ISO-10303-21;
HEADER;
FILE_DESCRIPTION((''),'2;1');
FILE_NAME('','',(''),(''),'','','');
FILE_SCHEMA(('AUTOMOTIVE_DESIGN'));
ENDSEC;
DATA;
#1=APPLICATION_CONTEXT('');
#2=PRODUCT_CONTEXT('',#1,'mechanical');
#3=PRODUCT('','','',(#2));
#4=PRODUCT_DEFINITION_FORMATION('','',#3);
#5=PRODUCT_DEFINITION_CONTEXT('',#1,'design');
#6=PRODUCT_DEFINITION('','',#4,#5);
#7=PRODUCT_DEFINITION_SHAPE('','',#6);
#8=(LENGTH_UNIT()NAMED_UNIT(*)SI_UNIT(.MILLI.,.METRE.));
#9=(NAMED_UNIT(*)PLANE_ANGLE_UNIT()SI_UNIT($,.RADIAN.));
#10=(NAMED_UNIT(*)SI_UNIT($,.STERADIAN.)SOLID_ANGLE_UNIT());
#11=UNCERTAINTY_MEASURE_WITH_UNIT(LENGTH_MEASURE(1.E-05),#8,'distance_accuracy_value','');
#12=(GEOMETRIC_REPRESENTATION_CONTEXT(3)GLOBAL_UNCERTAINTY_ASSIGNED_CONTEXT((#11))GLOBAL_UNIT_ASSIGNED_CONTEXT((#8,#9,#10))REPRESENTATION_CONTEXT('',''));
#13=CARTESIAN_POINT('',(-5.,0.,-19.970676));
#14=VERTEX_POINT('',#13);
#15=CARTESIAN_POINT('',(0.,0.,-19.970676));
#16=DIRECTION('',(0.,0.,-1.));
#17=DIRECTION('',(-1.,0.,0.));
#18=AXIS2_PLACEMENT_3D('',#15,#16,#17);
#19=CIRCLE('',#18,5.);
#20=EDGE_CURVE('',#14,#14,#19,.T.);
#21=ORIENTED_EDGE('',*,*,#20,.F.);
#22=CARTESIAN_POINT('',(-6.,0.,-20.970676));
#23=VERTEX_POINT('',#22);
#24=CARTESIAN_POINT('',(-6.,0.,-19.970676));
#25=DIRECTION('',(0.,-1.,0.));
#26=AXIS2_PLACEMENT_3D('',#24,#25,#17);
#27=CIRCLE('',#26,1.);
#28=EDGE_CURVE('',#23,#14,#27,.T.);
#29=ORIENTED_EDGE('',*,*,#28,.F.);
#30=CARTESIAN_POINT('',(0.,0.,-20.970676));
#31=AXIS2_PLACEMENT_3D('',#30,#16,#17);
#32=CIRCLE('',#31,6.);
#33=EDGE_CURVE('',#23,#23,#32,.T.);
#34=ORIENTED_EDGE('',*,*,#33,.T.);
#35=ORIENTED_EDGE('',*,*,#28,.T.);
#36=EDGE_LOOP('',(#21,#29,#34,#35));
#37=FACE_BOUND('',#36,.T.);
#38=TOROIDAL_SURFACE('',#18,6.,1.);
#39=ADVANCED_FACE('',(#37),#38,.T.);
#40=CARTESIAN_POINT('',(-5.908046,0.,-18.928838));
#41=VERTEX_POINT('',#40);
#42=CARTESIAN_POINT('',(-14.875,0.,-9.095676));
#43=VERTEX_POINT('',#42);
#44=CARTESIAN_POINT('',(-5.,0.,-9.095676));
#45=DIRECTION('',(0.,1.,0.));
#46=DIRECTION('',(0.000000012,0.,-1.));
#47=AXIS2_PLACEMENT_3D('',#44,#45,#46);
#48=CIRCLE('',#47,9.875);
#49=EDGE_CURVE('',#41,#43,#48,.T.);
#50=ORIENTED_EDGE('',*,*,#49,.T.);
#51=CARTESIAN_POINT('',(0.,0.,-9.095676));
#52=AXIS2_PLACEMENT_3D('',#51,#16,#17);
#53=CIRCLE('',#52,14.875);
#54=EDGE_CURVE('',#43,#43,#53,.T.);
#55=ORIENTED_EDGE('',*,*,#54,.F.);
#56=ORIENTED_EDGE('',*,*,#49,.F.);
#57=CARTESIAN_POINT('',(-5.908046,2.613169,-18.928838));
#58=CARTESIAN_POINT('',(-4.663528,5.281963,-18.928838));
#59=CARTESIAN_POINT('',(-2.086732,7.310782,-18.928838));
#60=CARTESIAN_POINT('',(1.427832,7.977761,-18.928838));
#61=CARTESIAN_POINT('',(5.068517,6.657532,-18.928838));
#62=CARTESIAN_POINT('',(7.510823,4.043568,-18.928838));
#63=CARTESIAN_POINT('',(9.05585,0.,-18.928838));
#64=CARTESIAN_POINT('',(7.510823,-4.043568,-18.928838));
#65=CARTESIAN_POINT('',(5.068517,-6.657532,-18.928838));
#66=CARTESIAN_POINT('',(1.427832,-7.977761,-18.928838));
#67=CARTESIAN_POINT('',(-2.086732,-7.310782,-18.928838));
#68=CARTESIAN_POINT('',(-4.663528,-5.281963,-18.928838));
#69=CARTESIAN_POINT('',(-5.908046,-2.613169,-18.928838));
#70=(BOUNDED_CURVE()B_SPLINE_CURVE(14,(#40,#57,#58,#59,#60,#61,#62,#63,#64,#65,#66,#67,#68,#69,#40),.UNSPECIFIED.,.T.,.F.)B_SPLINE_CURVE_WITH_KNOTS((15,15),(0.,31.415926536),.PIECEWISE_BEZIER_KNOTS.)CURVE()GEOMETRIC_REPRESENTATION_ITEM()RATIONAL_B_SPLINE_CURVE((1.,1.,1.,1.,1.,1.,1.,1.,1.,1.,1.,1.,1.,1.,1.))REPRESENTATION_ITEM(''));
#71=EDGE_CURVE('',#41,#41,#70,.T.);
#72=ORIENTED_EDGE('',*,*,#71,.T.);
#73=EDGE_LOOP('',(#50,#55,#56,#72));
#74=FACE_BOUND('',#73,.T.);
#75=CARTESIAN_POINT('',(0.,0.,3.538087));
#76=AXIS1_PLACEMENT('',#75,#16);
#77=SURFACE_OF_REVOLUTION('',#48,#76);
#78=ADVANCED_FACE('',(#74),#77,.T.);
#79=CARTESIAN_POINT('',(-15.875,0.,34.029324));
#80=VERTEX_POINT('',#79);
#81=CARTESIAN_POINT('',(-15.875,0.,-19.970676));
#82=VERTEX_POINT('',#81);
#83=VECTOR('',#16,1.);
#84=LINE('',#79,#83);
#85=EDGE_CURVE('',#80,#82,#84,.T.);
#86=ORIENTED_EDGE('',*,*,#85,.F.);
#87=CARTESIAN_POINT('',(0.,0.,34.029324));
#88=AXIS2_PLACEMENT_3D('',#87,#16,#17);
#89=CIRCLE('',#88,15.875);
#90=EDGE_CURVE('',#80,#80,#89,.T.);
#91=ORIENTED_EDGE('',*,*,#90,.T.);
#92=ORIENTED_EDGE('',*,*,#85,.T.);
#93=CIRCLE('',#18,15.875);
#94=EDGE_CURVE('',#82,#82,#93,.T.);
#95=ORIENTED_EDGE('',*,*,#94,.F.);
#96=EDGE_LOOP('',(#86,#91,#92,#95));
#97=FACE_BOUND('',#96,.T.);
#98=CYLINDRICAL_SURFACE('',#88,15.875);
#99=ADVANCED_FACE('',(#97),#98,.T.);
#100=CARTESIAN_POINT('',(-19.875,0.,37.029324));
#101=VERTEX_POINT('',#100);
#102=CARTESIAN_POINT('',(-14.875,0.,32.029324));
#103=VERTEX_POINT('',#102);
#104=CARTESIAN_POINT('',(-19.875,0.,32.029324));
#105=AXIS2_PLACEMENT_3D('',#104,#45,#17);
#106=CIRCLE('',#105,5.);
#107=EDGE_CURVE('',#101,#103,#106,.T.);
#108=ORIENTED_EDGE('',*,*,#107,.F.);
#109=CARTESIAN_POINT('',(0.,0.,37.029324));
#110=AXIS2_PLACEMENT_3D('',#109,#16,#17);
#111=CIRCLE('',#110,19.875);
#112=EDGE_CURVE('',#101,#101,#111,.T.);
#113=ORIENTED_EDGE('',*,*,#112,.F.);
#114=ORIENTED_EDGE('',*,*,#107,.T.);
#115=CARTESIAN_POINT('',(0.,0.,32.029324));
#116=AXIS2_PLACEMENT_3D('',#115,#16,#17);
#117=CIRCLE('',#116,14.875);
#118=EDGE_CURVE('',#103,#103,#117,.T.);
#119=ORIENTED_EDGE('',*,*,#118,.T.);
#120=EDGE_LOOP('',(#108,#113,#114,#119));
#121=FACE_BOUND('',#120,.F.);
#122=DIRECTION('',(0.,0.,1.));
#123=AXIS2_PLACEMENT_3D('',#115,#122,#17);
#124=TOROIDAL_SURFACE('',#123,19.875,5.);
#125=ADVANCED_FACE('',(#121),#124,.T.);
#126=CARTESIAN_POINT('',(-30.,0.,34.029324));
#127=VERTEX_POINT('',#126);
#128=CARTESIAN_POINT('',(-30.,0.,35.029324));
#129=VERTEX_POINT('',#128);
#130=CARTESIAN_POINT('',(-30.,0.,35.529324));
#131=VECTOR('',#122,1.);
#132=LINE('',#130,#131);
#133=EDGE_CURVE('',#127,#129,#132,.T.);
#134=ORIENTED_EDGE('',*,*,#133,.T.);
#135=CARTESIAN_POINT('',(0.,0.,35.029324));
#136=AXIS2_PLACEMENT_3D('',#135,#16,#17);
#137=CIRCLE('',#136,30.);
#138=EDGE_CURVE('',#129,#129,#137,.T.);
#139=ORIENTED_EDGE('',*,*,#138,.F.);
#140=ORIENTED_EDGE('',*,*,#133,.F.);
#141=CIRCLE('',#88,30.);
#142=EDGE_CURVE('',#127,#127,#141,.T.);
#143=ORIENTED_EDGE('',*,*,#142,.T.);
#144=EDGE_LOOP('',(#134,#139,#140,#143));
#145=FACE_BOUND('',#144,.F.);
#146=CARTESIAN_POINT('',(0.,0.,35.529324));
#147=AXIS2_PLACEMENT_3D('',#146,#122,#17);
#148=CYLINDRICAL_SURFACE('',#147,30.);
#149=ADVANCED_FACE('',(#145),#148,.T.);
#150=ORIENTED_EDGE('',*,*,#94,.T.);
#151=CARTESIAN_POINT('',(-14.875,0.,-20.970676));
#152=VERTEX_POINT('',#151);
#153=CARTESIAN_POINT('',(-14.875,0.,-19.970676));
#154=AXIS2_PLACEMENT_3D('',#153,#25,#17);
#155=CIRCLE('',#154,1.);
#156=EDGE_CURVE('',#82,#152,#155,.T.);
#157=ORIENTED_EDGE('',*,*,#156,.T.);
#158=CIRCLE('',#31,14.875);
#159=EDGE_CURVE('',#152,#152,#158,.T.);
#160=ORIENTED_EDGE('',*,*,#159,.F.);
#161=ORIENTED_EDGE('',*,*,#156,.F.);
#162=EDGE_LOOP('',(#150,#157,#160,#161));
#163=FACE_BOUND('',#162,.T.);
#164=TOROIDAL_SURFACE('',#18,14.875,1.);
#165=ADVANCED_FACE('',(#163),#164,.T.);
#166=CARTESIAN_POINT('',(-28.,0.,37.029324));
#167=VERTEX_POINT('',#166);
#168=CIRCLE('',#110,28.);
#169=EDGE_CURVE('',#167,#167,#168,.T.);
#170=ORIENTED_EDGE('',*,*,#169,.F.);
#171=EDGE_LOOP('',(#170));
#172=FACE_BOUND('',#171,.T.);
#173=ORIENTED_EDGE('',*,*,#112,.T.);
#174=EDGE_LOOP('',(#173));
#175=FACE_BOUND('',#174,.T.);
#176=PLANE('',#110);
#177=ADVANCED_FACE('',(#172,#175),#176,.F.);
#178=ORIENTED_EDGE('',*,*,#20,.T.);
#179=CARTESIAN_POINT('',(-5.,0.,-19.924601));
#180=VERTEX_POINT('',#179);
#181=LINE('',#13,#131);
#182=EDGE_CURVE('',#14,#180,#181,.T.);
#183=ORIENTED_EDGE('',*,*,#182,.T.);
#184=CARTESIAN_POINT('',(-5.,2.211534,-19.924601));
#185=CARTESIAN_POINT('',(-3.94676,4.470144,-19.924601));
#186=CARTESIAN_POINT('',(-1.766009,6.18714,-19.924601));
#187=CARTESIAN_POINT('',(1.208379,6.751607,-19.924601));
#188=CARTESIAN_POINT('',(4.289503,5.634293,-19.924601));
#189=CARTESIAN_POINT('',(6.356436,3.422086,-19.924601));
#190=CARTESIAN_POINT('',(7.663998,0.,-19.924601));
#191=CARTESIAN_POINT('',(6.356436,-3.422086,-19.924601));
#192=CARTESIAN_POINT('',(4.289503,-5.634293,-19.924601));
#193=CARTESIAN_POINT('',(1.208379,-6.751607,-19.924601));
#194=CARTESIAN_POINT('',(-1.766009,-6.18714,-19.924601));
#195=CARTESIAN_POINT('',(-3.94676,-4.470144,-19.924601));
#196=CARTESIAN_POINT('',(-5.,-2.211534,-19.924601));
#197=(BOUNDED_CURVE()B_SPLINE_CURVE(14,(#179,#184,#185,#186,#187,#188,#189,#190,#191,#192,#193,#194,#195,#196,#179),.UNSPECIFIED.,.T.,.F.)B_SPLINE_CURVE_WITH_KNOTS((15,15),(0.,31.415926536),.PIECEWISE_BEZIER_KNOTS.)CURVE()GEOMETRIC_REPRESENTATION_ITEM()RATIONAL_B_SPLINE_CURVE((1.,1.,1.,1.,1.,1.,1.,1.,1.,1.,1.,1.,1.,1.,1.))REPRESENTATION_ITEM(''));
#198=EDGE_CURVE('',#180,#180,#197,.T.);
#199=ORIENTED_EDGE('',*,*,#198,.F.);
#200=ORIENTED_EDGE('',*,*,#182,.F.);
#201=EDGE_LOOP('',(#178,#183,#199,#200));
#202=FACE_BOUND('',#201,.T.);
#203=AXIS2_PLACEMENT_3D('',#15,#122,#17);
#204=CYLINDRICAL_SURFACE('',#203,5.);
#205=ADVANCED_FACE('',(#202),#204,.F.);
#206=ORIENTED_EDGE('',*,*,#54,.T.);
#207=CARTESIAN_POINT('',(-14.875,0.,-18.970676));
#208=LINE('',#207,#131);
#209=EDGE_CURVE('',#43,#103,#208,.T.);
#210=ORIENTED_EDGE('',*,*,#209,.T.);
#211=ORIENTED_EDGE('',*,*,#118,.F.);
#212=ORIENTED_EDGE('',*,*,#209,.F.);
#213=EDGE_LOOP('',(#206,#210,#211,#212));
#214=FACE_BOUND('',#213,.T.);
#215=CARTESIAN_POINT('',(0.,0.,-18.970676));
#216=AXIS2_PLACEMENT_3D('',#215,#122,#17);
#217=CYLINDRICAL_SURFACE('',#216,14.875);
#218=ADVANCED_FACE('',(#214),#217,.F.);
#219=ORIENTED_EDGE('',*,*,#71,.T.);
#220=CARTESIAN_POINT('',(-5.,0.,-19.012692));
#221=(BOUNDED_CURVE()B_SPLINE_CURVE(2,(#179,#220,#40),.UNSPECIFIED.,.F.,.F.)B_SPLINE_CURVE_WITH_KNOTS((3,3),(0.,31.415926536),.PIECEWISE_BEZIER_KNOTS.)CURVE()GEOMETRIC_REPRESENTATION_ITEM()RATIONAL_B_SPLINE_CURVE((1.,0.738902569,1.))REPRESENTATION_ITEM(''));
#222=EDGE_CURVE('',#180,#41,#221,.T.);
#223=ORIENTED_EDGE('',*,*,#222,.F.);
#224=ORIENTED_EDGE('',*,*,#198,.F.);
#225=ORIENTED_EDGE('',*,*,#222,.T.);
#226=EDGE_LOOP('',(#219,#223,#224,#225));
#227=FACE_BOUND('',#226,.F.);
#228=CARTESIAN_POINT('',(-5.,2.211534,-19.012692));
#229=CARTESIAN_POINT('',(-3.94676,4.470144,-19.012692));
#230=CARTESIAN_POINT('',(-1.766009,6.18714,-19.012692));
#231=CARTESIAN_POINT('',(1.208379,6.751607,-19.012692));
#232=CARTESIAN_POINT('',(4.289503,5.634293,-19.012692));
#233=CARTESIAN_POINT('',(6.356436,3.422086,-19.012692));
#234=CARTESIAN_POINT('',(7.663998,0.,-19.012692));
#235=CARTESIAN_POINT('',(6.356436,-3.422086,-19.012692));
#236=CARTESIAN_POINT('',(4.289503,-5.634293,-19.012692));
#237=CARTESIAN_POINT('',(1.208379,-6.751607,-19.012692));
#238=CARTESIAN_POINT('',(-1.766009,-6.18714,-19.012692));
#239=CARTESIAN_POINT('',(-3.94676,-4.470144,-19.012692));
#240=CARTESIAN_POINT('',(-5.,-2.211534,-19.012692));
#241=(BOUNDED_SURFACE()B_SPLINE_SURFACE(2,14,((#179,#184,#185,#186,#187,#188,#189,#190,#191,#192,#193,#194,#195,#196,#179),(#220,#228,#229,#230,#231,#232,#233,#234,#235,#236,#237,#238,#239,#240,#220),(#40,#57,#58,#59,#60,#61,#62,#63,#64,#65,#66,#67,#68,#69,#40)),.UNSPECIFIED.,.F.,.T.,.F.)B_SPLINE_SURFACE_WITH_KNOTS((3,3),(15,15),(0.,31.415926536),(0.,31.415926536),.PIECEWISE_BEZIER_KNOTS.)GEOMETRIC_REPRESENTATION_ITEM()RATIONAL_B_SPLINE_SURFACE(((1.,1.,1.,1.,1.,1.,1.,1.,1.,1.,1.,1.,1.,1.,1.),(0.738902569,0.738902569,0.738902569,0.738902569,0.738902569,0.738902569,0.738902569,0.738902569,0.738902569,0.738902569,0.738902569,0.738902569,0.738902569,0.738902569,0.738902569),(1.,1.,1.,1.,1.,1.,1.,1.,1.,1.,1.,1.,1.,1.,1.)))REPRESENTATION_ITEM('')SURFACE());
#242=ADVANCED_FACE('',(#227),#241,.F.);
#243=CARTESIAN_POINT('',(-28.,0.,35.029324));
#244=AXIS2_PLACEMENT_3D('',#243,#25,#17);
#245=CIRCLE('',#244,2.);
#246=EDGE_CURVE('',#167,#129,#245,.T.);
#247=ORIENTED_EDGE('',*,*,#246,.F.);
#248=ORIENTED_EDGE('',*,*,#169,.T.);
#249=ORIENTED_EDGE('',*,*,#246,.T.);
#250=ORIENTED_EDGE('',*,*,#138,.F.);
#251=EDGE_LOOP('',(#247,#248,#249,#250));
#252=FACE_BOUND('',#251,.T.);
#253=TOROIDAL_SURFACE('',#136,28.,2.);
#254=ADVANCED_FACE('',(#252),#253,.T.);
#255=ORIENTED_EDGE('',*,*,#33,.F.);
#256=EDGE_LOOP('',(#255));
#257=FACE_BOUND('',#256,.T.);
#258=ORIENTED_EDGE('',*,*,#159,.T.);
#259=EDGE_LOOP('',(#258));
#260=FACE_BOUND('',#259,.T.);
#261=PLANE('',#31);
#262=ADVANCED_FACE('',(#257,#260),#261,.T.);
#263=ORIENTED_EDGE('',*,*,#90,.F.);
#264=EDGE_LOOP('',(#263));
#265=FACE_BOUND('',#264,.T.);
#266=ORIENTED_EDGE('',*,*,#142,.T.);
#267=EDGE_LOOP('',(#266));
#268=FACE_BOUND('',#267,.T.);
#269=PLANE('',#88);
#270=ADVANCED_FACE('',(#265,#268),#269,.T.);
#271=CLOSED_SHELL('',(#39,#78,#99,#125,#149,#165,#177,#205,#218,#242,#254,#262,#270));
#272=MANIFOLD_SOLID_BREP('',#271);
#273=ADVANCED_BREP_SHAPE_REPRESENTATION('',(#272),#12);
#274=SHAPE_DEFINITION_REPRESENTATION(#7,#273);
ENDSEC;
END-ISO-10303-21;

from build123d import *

# Parameters (mm, degrees)
F0_W   = 14.125
F0_H   = 3
F0_W_2 = 9.875
F0_H_2 = 2
F0_W_3 = 1
F2_R   = 1
F3_R   = 5
F4_R   = 2


with BuildPart() as f1:
    # F0 (on Front) → F1 (revolve)
    with BuildSketch(Plane.XZ):
        Polygon((-14.875, -9.095676), (-14.875, 34.029324), (-15.875, 34.029324), (-15.875, -20.970676), (-14.875, -20.970676), (-14.875, -18.970676), align=None)
        with Locations((-22.9375, 35.529324)):
            Rectangle(F0_W, F0_H)
        with Locations((-9.9375, -19.970676)):
            Rectangle(F0_W_2, F0_H_2)
        with Locations((-15.375, 35.529324)):
            Rectangle(F0_W_3, F0_H)
        with BuildLine():
            ThreePointArc((-5, -18.970676), (-11.982679, -16.078356), (-14.875, -9.095676))
            Line((-14.875, -9.095676), (-14.875, -18.970676))
            Line((-14.875, -18.970676), (-5, -18.970676))
        make_face()
    revolve(axis=Axis((0, 0, 3.538087), (0, 0, -1)))

    # F2
    f2_edges = [f1.edges().sort_by_distance(p)[0] for p in [
        (5, 0, -20.970676),
        (5, 0, -18.970676),
        (15.875, 0, -20.970676),
    ]]
    fillet(f2_edges, radius=F2_R)

    # F3
    f3_edges = [f1.edges().sort_by_distance(p)[0] for p in [
        (14.875, 0, 37.029324),
    ]]
    fillet(f3_edges, radius=F3_R)

    # F4
    f4_edges = [f1.edges().sort_by_distance(p)[0] for p in [
        (30, 0, 37.029324),
    ]]
    fillet(f4_edges, radius=F4_R)


solid = f1.part
